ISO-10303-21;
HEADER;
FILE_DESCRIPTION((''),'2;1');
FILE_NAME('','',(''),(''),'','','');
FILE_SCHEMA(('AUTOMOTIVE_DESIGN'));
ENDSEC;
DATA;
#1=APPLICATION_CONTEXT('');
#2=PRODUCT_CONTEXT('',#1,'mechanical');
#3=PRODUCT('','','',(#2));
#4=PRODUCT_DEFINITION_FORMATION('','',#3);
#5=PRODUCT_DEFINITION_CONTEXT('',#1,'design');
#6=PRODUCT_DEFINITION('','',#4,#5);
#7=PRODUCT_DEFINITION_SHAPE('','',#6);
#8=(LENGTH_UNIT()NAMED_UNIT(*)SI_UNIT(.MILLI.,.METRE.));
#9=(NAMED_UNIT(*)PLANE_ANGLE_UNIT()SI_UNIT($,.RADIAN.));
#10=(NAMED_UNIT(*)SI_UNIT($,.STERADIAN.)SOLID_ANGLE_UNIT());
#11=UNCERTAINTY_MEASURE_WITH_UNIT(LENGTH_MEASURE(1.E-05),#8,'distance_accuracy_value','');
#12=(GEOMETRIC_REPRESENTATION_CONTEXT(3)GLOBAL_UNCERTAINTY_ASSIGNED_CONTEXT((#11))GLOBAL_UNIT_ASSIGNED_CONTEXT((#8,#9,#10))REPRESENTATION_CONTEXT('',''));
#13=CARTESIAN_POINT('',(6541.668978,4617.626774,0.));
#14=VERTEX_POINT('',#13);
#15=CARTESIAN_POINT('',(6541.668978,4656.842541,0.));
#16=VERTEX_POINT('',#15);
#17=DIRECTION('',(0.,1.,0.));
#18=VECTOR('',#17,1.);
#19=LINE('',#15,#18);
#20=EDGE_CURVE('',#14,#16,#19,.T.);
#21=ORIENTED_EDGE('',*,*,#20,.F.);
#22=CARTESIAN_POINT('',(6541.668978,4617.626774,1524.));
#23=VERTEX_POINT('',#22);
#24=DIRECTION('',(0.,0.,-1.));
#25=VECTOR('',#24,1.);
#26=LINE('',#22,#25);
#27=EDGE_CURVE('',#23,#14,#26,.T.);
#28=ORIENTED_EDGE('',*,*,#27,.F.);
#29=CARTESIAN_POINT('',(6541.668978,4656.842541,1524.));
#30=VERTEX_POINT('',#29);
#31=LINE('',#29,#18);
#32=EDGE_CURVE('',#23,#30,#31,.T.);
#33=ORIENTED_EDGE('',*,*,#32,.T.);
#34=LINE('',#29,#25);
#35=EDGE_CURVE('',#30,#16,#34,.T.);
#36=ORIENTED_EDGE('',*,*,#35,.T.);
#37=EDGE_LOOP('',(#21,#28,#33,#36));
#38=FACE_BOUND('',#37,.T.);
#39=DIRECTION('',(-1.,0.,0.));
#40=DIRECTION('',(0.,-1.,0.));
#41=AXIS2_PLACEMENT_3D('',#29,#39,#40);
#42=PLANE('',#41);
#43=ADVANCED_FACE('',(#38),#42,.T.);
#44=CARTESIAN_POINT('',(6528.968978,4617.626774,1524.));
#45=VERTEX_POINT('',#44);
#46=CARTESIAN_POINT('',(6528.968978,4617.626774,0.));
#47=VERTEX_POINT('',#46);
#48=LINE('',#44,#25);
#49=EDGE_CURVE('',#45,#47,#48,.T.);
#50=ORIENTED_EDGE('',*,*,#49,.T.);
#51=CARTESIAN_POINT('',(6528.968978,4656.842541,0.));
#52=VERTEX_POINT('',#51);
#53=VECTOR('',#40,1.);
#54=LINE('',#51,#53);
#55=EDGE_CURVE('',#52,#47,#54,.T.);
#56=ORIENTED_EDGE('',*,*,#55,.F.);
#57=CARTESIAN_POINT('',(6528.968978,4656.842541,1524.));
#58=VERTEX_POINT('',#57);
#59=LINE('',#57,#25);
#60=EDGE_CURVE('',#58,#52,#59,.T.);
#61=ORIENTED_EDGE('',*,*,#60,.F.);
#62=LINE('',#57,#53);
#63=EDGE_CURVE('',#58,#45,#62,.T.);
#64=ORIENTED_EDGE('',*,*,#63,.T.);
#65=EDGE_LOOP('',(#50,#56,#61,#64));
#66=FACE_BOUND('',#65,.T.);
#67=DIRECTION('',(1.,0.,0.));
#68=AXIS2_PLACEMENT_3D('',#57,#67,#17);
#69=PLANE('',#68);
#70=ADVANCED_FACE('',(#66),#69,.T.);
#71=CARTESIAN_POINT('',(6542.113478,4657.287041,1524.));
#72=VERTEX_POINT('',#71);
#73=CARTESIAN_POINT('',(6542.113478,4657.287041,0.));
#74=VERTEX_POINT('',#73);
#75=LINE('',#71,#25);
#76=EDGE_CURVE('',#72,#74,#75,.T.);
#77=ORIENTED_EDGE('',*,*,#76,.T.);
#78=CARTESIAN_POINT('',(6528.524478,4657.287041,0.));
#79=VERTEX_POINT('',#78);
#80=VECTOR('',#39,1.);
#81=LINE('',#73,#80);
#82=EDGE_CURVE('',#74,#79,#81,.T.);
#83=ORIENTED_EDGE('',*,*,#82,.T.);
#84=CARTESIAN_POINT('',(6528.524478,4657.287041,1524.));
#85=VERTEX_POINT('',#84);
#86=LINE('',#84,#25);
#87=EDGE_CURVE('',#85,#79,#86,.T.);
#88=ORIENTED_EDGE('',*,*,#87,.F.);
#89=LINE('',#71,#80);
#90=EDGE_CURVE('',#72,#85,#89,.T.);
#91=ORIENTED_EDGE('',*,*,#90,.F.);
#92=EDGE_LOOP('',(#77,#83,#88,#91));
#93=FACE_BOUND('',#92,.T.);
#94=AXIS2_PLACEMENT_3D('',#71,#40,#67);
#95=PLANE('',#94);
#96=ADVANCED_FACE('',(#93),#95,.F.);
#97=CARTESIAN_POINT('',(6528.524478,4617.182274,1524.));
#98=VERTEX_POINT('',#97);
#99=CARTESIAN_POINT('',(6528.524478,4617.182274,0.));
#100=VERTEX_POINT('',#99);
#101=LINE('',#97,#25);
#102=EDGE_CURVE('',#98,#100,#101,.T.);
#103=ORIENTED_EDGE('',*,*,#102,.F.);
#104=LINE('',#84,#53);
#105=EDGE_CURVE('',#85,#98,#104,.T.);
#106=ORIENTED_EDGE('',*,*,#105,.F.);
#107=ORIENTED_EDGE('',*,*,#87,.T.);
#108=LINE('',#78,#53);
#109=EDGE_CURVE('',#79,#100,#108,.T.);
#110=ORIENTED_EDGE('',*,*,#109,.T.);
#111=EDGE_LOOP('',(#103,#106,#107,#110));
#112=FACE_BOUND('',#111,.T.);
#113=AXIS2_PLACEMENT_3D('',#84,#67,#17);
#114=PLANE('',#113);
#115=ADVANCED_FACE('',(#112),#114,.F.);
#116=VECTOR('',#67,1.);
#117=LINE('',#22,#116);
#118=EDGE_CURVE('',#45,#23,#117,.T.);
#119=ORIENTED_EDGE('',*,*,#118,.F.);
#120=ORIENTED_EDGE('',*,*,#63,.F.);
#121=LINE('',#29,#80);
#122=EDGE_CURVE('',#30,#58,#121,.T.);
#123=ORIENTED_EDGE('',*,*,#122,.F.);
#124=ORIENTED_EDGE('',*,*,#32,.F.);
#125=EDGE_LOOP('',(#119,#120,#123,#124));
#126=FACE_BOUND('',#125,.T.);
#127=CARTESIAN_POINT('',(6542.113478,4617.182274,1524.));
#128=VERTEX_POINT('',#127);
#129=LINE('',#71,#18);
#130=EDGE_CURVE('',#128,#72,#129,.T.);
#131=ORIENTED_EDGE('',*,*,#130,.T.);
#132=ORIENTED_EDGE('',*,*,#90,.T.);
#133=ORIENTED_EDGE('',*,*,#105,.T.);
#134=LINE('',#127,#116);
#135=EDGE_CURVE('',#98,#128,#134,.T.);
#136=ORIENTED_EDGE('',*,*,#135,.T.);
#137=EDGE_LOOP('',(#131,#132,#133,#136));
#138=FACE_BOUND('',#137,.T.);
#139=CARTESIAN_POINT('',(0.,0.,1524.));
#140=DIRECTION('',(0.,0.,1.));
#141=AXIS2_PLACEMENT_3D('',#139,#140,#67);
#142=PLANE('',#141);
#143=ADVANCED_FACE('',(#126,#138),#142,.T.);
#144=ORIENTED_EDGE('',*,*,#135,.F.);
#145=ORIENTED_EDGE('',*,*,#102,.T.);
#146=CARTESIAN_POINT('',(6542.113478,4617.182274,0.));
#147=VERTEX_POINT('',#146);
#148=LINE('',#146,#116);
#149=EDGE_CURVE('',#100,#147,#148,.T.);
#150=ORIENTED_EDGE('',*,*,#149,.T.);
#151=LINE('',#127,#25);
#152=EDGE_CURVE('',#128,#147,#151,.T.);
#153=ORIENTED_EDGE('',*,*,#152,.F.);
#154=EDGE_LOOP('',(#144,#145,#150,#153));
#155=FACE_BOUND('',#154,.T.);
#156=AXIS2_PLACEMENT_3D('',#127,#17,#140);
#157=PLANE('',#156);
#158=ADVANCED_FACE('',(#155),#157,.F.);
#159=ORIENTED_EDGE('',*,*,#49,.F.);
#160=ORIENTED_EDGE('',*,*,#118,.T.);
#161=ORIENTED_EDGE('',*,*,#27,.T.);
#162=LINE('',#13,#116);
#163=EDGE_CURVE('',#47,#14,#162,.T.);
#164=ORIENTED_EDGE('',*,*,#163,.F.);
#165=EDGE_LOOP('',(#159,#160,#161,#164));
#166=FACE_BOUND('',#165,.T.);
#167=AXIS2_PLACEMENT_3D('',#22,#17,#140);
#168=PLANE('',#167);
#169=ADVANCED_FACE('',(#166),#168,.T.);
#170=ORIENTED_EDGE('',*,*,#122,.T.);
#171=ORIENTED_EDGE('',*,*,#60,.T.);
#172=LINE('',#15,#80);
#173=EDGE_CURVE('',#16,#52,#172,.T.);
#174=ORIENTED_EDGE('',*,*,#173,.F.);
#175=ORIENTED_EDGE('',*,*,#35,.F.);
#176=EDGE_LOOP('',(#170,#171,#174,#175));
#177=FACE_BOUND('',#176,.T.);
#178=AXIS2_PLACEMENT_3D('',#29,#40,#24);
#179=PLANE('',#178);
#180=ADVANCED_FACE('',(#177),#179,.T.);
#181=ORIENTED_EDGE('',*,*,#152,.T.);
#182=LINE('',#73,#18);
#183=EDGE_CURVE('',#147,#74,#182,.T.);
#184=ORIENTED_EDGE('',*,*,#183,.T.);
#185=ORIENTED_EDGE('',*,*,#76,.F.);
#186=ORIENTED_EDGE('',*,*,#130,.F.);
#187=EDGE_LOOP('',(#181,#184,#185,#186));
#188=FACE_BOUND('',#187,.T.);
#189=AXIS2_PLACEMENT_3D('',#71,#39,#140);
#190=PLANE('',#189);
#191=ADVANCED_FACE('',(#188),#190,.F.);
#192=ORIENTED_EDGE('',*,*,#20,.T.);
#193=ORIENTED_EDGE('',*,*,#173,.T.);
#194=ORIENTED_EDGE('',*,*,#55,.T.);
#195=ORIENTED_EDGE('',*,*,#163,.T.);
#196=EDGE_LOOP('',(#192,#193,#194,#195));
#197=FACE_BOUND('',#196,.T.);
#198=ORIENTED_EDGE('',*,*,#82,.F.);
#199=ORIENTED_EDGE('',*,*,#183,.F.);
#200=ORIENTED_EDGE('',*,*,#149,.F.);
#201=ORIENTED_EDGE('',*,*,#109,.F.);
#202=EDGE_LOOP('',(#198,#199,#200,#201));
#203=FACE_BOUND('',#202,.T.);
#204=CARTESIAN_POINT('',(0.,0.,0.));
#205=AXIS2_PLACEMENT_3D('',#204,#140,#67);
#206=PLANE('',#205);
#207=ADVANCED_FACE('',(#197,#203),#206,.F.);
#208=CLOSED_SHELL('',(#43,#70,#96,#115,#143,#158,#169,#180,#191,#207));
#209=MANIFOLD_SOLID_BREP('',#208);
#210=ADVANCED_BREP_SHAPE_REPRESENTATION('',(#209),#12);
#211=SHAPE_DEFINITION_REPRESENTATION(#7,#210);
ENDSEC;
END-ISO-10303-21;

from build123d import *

# Parameters (mm, degrees)
SKETCH1_W           = 13.589
SKETCH1_H           = 40.104767143
SKETCH1_W_2         = 12.7
SKETCH1_H_2         = 39.215767143
BOSS_EXTRUDE1_DEPTH = 1524


with BuildPart() as part:
    # Sketch1 → Boss-Extrude1 (new body)
    with BuildSketch(Plane.XY):
        with Locations((6535.318977879, 4637.234657146)):
            Rectangle(SKETCH1_W, SKETCH1_H)
        with Locations((6535.318977879, 4637.234657146)):
            Rectangle(SKETCH1_W_2, SKETCH1_H_2, mode=Mode.SUBTRACT)
    extrude(amount=BOSS_EXTRUDE1_DEPTH)


solid = part.part
